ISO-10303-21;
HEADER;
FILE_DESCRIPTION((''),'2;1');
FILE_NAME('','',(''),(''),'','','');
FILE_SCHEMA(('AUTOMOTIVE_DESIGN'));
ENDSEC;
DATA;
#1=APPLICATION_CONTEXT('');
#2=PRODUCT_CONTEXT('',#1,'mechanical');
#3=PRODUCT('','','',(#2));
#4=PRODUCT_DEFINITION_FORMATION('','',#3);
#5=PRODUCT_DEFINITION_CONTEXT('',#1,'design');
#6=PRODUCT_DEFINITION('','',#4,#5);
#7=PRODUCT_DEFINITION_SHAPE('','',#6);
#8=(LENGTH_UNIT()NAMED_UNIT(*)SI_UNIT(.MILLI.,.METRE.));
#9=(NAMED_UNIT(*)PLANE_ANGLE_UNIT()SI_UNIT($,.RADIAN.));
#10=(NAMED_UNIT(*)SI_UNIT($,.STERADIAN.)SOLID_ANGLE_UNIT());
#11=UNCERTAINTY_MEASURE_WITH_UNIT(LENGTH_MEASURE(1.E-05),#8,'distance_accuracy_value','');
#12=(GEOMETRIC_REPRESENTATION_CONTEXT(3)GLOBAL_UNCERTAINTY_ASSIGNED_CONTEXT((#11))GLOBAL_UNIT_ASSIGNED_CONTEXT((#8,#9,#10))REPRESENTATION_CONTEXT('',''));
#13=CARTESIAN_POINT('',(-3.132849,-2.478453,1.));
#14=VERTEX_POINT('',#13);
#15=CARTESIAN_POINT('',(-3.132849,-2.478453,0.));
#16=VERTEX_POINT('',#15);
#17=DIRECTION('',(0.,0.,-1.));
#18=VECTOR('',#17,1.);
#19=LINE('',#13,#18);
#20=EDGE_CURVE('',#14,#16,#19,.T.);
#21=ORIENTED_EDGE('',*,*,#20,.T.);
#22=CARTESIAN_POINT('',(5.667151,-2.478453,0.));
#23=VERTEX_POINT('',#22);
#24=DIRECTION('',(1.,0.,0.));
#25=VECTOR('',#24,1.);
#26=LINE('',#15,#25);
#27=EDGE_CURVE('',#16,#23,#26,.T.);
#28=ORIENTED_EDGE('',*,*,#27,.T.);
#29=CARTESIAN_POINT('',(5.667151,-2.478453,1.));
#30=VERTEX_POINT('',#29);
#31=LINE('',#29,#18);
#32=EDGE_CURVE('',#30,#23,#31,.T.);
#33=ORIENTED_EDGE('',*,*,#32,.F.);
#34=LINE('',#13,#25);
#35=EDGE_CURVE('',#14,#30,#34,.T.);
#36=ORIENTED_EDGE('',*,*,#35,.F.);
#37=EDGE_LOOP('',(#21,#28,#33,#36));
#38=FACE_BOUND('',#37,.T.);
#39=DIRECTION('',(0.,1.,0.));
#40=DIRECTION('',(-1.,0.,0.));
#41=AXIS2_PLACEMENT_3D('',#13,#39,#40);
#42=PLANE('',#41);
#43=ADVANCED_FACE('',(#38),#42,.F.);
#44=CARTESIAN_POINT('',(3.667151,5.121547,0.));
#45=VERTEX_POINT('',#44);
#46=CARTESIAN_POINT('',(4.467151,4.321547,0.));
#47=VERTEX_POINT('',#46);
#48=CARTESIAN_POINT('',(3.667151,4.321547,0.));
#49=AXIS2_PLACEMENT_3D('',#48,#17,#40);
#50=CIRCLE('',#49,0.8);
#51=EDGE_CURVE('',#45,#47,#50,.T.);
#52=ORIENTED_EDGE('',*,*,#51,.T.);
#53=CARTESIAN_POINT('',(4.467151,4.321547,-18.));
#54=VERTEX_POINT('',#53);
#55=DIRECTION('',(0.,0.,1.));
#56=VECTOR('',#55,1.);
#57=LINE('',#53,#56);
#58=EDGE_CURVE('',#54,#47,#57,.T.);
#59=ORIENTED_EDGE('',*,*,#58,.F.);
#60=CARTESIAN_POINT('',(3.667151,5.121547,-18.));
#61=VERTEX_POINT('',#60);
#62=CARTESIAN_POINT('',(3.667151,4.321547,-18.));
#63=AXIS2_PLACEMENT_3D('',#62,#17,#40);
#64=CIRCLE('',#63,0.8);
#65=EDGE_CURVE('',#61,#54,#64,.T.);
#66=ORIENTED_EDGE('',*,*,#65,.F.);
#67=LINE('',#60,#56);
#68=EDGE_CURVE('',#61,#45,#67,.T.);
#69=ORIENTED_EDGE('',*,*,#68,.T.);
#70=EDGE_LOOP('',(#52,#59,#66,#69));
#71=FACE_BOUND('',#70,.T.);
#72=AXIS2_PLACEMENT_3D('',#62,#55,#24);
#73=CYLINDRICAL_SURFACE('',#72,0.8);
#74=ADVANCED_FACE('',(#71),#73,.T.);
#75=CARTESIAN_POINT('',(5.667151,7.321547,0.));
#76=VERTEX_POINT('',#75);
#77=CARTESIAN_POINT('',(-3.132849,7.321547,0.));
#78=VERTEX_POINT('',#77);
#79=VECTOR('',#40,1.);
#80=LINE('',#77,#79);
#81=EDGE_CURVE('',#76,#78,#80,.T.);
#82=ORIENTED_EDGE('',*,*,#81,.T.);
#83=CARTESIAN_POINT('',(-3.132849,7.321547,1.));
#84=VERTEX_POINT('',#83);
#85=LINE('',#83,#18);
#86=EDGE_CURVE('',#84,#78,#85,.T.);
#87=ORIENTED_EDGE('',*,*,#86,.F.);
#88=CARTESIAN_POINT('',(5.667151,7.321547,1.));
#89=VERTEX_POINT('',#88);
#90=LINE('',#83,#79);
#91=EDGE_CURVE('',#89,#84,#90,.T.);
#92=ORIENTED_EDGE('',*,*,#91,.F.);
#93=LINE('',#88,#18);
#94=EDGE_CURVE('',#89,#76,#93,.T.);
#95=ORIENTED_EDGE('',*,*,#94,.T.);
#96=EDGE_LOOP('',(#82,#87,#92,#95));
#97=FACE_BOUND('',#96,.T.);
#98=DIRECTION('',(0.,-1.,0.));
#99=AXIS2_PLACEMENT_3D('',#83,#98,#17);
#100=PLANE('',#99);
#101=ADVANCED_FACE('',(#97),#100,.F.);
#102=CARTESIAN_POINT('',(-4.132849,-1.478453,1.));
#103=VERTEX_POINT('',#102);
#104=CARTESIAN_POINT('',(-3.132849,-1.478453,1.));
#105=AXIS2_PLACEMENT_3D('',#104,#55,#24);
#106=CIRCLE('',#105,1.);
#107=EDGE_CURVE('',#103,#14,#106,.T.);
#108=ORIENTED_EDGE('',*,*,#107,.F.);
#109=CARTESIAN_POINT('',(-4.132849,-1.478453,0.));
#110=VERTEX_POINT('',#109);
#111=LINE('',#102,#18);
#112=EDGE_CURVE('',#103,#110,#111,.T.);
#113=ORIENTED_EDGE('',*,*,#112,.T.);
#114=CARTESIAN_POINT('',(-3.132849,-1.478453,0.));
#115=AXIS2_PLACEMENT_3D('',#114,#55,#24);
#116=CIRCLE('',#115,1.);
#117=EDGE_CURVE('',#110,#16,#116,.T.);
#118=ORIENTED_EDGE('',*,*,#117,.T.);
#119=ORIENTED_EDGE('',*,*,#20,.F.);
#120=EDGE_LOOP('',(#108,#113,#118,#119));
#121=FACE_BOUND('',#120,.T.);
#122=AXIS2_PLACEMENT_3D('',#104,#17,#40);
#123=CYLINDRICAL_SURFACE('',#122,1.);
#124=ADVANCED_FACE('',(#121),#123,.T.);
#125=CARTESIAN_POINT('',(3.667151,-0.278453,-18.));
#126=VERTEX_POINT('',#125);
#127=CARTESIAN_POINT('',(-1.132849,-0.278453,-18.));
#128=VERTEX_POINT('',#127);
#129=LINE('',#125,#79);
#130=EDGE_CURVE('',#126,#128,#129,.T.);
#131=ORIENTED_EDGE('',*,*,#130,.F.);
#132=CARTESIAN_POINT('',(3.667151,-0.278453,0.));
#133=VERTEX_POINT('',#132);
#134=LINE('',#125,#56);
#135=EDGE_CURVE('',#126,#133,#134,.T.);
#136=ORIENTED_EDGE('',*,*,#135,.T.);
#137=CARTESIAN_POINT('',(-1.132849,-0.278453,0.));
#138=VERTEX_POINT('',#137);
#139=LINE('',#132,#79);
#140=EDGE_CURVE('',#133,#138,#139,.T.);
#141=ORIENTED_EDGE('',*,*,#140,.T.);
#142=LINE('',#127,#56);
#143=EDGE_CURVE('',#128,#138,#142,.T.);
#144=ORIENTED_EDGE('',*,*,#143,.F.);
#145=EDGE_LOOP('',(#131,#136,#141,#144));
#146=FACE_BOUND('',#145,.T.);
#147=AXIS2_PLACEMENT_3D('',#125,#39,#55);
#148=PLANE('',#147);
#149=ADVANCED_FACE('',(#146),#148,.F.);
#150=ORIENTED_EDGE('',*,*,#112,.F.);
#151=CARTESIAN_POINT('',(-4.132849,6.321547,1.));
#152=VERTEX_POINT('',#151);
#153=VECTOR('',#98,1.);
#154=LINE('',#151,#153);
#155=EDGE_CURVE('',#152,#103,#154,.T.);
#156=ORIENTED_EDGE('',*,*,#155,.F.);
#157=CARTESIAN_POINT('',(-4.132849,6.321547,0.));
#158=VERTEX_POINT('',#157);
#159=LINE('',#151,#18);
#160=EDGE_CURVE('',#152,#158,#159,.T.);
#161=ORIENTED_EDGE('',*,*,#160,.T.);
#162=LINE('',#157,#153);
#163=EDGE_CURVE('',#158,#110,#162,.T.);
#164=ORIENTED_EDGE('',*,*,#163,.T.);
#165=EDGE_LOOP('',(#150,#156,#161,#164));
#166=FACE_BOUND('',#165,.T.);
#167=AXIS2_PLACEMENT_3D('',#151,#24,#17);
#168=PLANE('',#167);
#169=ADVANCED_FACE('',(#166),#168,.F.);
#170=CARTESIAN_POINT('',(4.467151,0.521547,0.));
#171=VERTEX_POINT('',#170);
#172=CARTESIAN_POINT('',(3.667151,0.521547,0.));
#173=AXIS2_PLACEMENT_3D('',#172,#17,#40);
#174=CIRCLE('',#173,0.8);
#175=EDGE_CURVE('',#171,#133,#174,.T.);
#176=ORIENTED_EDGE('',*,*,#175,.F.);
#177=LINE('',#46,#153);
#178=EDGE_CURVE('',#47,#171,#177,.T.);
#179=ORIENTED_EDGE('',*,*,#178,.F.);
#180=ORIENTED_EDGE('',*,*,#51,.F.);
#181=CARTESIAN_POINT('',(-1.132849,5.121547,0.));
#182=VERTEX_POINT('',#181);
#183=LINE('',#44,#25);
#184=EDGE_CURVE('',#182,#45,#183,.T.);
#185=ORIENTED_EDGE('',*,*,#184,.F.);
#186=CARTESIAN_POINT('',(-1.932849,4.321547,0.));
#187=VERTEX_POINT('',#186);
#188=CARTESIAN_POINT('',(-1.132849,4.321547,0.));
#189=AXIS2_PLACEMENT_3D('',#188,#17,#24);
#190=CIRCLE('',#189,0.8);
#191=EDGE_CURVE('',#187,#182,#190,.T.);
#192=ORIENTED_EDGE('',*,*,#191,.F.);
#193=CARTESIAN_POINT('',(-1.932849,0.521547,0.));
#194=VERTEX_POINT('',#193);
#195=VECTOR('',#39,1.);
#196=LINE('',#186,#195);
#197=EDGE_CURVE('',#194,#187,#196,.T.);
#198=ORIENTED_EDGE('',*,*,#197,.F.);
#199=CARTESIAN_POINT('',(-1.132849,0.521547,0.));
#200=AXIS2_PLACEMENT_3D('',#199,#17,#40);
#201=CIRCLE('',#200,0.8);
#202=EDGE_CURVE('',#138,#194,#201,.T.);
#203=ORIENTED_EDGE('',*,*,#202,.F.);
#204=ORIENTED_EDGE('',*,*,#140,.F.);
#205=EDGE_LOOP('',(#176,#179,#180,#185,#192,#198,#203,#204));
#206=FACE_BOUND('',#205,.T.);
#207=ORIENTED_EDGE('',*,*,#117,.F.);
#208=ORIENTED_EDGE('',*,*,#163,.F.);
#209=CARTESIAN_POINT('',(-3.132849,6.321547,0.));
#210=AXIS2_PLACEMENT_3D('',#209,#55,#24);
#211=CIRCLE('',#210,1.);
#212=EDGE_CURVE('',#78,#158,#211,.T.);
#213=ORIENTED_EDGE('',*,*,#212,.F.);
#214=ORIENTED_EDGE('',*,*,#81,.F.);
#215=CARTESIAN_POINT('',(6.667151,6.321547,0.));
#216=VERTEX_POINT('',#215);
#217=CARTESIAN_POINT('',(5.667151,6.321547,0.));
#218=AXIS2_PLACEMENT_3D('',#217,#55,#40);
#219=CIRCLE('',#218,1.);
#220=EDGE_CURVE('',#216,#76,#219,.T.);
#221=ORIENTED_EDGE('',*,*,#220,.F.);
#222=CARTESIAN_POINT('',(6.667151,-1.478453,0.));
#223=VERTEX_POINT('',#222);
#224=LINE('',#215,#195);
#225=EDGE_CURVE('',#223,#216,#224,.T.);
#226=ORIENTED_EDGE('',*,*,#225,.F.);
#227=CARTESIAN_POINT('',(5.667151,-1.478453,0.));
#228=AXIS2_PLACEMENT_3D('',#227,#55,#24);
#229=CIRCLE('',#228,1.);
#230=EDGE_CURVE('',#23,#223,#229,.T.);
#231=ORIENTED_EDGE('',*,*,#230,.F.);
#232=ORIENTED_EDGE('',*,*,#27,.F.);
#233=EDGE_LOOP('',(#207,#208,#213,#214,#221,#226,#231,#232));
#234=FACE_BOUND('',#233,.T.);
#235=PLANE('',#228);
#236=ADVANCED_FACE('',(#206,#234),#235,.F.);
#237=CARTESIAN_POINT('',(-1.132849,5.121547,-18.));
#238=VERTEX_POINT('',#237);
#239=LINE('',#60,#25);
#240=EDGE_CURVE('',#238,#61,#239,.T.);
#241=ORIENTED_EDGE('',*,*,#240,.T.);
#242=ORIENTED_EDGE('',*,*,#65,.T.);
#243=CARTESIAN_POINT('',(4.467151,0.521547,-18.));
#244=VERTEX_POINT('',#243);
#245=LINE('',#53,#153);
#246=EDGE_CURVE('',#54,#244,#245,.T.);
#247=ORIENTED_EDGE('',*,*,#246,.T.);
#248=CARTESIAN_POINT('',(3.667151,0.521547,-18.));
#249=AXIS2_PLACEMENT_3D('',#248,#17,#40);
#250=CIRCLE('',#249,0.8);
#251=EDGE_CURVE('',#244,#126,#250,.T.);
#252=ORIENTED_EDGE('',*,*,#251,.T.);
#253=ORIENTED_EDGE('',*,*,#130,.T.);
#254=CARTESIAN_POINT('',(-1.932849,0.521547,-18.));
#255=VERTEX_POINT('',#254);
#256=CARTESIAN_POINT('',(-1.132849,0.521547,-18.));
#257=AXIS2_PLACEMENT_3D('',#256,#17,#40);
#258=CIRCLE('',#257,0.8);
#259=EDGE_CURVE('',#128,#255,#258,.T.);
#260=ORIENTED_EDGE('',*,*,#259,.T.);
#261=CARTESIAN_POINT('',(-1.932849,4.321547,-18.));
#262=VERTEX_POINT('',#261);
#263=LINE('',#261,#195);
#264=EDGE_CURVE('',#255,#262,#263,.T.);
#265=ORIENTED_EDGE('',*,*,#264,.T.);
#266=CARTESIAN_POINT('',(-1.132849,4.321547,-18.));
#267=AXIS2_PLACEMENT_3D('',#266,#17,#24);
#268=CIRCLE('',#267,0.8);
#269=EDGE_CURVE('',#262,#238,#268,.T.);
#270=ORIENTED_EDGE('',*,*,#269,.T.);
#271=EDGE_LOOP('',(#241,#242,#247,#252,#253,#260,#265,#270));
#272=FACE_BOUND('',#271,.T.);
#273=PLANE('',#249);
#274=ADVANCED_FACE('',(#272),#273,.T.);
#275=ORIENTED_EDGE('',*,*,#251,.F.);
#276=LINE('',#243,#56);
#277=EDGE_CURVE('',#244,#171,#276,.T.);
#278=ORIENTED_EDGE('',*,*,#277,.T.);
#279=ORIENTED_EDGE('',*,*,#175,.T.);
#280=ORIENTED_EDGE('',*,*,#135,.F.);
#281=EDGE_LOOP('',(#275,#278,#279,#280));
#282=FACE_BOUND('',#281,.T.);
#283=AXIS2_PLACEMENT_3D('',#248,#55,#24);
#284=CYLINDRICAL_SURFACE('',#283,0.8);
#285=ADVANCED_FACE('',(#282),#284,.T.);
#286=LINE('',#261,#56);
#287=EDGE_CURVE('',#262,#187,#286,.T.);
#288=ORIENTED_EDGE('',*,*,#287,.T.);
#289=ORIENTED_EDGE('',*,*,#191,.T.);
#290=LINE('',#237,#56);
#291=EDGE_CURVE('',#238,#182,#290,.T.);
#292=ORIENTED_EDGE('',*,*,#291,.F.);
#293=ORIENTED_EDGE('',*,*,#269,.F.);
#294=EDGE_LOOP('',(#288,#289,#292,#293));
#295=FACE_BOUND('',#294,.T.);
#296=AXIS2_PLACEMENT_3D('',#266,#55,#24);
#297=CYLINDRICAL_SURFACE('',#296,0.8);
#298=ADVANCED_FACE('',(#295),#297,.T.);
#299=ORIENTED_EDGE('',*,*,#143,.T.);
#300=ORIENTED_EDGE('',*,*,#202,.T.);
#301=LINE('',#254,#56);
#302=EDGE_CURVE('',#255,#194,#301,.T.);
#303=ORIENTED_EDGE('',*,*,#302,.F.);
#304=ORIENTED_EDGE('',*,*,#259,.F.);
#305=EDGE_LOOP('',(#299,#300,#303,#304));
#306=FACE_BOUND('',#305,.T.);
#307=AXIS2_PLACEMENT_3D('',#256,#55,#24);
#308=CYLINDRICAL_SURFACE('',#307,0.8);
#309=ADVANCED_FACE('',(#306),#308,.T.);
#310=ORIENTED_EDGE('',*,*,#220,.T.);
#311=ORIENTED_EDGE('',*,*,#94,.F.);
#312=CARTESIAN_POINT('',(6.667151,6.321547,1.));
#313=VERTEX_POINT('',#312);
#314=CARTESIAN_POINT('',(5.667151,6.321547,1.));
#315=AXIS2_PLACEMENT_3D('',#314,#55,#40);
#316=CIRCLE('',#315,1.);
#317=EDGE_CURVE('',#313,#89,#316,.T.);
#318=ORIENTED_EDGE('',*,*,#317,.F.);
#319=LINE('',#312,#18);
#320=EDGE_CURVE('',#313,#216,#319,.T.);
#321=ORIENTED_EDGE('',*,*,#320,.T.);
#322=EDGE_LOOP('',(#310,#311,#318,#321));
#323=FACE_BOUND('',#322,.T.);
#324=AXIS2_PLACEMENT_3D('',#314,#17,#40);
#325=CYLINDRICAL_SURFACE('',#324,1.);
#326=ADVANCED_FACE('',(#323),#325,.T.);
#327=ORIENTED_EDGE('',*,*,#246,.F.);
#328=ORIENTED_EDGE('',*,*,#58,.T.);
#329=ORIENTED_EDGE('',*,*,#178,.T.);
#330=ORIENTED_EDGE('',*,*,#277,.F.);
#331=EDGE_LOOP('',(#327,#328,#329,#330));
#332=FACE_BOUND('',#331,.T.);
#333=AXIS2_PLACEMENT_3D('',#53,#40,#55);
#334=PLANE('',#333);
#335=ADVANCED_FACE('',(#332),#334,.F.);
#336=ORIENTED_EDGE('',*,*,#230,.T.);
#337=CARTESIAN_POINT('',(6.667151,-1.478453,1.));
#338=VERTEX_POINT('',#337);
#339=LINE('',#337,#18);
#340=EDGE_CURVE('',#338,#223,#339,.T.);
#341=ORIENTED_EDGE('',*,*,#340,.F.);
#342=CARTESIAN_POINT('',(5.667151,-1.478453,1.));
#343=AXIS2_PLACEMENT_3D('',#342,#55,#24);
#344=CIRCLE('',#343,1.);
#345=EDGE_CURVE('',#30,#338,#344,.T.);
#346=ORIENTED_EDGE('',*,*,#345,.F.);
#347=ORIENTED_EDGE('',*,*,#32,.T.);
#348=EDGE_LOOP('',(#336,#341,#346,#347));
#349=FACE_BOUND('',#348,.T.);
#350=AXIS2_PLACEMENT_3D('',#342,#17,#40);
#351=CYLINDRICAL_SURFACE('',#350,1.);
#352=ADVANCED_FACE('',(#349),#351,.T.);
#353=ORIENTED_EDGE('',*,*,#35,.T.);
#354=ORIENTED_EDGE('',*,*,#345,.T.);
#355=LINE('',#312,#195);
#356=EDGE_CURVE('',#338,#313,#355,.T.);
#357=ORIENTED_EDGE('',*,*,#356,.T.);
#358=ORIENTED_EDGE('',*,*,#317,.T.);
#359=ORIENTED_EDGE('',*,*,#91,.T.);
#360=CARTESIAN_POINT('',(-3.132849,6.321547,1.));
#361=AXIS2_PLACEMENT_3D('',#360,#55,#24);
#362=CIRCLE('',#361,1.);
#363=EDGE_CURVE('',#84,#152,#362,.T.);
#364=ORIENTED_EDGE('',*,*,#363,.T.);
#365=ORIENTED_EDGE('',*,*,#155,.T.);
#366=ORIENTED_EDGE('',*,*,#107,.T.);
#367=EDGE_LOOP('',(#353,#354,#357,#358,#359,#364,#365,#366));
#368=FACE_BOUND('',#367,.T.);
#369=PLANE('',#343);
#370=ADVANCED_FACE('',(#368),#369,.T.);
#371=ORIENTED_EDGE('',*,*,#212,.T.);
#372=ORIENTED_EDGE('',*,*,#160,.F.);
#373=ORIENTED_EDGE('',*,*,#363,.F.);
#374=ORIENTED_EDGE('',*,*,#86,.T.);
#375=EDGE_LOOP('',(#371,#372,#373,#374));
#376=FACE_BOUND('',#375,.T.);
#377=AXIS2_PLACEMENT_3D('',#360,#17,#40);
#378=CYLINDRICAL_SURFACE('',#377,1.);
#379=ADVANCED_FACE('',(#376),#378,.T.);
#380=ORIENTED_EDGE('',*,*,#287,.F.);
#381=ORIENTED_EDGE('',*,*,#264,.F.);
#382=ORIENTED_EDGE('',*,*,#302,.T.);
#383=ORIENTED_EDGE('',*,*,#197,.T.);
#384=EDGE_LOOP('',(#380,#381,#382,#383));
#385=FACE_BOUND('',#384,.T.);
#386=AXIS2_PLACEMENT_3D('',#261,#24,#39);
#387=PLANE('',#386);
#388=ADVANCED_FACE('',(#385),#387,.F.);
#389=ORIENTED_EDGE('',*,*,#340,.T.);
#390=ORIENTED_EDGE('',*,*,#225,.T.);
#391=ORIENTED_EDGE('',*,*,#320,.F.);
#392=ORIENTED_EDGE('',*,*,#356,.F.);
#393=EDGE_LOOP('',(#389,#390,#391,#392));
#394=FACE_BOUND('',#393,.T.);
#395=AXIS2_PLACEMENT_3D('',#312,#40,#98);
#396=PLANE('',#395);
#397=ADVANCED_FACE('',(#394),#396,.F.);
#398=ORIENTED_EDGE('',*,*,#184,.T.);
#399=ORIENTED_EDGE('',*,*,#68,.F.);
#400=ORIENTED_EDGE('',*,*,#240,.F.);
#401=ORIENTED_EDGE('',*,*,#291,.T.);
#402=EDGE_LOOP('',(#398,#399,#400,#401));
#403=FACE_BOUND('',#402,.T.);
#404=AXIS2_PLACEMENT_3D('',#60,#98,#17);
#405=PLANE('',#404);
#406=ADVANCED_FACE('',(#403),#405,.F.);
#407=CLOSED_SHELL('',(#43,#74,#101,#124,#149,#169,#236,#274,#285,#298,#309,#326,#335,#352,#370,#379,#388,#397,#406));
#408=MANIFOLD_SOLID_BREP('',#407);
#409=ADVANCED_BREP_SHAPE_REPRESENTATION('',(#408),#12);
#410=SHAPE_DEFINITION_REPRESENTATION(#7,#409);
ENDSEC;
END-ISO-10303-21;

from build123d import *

# Parameters (mm, degrees)
EXTRUDE_1_DEPTH = 1
EXTRUDE_2_DEPTH = 18


with BuildPart() as part:
    # 草图1 → 凸台-拉伸1 (new body)
    with BuildSketch(Plane.XY):
        with BuildLine():
            Line((-3.132848788, 7.321546969), (5.667151212, 7.321546969))
            ThreePointArc((5.667151212, 7.321546969), (6.374257994, 7.02865375), (6.667151212, 6.321546969))
            Line((6.667151212, 6.321546969), (6.667151212, -1.478453031))
            ThreePointArc((6.667151212, -1.478453031), (6.374257994, -2.185559812), (5.667151212, -2.478453031))
            Line((5.667151212, -2.478453031), (-3.132848788, -2.478453031))
            ThreePointArc((-3.132848788, -2.478453031), (-3.839955569, -2.185559812), (-4.132848788, -1.478453031))
            Line((-4.132848788, -1.478453031), (-4.132848788, 6.321546969))
            ThreePointArc((-4.132848788, 6.321546969), (-3.839955569, 7.02865375), (-3.132848788, 7.321546969))
        make_face()
    extrude(amount=EXTRUDE_1_DEPTH)

    # 草图2 → 凸台-拉伸2 (add)
    with BuildSketch(Plane(origin=(0, 0, 0), x_dir=(-1, 0, 0), z_dir=(0, 0, -1))):
        with BuildLine():
            Line((-3.667151212, 5.121546969), (1.132848788, 5.121546969))
            ThreePointArc((1.132848788, 5.121546969), (1.698534213, 4.887232394), (1.932848788, 4.321546969))
            Line((1.932848788, 4.321546969), (1.932848788, 0.521546969))
            ThreePointArc((1.932848788, 0.521546969), (1.698534213, -0.044138456), (1.132848788, -0.278453031))
            Line((1.132848788, -0.278453031), (-3.667151212, -0.278453031))
            ThreePointArc((-3.667151212, -0.278453031), (-4.232836637, -0.044138456), (-4.467151212, 0.521546969))
            Line((-4.467151212, 0.521546969), (-4.467151212, 4.321546969))
            ThreePointArc((-4.467151212, 4.321546969), (-4.232836637, 4.887232394), (-3.667151212, 5.121546969))
        make_face()
    extrude(amount=EXTRUDE_2_DEPTH)


solid = part.part
